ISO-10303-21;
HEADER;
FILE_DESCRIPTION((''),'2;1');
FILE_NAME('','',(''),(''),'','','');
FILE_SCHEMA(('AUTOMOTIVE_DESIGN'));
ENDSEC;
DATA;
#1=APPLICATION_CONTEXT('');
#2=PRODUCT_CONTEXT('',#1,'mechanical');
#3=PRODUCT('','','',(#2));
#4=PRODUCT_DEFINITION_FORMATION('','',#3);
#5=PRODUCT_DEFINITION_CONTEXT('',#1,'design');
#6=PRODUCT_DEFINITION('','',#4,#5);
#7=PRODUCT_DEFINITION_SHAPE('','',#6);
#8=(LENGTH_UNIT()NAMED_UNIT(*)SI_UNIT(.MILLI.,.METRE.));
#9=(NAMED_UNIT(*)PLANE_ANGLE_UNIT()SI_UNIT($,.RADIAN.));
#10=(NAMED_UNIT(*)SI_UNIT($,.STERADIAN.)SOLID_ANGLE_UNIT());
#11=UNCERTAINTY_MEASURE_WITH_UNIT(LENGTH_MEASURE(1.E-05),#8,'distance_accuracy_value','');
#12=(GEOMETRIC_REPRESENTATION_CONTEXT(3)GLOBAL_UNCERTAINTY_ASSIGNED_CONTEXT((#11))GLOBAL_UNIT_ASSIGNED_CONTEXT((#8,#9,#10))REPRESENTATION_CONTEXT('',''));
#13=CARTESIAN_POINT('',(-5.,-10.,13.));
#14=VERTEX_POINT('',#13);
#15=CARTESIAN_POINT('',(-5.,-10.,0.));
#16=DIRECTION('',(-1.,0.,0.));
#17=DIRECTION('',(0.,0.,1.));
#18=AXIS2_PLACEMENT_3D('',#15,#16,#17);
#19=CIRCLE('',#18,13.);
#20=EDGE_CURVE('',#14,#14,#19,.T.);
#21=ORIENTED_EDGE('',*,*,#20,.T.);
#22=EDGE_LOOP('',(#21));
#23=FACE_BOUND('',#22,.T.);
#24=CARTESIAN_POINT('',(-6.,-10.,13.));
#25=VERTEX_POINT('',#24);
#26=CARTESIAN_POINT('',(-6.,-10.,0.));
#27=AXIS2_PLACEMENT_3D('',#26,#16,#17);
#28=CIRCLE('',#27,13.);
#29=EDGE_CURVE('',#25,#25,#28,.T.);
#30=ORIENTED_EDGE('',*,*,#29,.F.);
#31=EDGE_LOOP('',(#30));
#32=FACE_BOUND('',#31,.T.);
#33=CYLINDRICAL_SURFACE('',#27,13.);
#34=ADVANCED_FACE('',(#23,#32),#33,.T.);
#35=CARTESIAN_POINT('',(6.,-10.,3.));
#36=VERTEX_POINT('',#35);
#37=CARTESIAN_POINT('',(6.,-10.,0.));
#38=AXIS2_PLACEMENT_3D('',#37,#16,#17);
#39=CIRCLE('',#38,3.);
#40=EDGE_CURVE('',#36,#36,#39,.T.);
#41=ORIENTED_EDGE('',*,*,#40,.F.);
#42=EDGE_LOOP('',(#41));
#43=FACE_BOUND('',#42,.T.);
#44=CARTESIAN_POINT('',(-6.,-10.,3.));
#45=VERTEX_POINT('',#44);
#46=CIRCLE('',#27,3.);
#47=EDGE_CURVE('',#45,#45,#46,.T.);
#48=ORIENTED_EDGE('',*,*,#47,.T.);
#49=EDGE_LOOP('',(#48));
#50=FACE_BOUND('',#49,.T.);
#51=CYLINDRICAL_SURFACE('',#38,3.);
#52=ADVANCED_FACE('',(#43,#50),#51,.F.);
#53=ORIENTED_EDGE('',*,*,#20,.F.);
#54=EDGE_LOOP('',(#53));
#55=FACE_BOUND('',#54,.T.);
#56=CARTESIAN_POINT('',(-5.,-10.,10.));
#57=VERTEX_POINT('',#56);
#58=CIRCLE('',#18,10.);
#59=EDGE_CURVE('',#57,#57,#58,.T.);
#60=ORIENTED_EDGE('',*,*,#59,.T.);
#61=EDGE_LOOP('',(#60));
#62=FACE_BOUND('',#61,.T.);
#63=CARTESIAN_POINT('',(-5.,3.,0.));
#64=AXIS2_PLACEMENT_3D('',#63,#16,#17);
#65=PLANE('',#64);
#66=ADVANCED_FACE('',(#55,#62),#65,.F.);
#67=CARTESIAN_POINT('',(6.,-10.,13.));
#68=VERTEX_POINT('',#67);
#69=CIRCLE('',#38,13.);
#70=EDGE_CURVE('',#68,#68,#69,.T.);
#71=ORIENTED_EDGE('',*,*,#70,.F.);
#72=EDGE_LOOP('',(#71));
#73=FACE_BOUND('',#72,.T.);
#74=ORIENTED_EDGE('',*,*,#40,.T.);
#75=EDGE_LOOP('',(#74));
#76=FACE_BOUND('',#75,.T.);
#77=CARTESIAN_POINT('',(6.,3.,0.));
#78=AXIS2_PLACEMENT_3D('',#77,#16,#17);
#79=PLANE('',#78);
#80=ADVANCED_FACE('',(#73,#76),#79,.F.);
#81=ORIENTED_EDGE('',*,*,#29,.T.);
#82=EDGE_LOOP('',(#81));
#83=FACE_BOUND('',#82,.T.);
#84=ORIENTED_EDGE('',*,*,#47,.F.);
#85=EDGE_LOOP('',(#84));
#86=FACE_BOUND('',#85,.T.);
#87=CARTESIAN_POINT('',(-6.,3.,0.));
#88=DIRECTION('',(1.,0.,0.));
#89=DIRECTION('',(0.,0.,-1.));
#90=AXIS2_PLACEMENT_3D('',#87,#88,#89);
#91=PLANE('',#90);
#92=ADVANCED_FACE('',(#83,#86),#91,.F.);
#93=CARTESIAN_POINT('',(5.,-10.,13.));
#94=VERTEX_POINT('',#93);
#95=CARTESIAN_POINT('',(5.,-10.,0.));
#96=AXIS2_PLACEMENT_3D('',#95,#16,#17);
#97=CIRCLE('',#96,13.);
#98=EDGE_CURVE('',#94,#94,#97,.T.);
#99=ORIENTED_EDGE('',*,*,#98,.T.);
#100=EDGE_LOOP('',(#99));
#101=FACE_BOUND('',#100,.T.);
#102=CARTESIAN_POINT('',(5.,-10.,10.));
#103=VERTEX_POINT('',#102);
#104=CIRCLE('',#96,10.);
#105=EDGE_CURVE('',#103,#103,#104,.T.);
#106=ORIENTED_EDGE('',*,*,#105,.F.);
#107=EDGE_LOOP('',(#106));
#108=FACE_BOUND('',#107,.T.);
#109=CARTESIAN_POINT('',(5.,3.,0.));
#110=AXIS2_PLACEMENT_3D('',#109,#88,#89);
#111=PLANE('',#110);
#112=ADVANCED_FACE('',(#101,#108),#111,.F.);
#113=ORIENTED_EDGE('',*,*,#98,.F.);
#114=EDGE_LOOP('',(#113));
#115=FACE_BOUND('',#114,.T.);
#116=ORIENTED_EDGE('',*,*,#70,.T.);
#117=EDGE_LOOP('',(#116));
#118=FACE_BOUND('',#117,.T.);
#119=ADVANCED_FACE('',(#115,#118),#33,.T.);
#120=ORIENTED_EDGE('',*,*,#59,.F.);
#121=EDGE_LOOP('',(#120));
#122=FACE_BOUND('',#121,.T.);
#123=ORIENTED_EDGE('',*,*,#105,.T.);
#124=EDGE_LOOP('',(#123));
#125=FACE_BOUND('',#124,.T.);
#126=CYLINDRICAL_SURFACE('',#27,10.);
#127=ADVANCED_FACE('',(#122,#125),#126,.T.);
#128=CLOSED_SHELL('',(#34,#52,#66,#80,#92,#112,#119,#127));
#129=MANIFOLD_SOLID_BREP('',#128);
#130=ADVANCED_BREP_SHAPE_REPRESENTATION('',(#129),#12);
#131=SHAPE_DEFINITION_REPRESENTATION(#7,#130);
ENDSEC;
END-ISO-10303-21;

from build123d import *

# Parameters (mm, degrees)
SKETCH2_R          = 3
CUT_EXTRUDE1_DEPTH = 30.017236257


with BuildPart() as part:
    # Sketch1 → Revolve1 (revolve)
    with BuildSketch(Plane.XY, mode=Mode.PRIVATE) as revolve1_sk:
        Polygon((-6, 3), (-5, 3), (-5, 0), (5, 0), (5, 3), (6, 3), (6, -10), (-6, -10), align=None)
    revolve(revolve1_sk.sketch.rotate(Axis((-6, -10, 0), (1, 0, 0)), 90), axis=Axis((-6, -10, 0), (1, 0, 0)))

    # Sketch2 → Cut-Extrude1 (cut, through all)
    with BuildSketch(Plane.ZY.offset(6)):
        with Locations((0, -10)):
            Circle(SKETCH2_R)
    extrude(amount=-CUT_EXTRUDE1_DEPTH, mode=Mode.SUBTRACT)


solid = part.part
